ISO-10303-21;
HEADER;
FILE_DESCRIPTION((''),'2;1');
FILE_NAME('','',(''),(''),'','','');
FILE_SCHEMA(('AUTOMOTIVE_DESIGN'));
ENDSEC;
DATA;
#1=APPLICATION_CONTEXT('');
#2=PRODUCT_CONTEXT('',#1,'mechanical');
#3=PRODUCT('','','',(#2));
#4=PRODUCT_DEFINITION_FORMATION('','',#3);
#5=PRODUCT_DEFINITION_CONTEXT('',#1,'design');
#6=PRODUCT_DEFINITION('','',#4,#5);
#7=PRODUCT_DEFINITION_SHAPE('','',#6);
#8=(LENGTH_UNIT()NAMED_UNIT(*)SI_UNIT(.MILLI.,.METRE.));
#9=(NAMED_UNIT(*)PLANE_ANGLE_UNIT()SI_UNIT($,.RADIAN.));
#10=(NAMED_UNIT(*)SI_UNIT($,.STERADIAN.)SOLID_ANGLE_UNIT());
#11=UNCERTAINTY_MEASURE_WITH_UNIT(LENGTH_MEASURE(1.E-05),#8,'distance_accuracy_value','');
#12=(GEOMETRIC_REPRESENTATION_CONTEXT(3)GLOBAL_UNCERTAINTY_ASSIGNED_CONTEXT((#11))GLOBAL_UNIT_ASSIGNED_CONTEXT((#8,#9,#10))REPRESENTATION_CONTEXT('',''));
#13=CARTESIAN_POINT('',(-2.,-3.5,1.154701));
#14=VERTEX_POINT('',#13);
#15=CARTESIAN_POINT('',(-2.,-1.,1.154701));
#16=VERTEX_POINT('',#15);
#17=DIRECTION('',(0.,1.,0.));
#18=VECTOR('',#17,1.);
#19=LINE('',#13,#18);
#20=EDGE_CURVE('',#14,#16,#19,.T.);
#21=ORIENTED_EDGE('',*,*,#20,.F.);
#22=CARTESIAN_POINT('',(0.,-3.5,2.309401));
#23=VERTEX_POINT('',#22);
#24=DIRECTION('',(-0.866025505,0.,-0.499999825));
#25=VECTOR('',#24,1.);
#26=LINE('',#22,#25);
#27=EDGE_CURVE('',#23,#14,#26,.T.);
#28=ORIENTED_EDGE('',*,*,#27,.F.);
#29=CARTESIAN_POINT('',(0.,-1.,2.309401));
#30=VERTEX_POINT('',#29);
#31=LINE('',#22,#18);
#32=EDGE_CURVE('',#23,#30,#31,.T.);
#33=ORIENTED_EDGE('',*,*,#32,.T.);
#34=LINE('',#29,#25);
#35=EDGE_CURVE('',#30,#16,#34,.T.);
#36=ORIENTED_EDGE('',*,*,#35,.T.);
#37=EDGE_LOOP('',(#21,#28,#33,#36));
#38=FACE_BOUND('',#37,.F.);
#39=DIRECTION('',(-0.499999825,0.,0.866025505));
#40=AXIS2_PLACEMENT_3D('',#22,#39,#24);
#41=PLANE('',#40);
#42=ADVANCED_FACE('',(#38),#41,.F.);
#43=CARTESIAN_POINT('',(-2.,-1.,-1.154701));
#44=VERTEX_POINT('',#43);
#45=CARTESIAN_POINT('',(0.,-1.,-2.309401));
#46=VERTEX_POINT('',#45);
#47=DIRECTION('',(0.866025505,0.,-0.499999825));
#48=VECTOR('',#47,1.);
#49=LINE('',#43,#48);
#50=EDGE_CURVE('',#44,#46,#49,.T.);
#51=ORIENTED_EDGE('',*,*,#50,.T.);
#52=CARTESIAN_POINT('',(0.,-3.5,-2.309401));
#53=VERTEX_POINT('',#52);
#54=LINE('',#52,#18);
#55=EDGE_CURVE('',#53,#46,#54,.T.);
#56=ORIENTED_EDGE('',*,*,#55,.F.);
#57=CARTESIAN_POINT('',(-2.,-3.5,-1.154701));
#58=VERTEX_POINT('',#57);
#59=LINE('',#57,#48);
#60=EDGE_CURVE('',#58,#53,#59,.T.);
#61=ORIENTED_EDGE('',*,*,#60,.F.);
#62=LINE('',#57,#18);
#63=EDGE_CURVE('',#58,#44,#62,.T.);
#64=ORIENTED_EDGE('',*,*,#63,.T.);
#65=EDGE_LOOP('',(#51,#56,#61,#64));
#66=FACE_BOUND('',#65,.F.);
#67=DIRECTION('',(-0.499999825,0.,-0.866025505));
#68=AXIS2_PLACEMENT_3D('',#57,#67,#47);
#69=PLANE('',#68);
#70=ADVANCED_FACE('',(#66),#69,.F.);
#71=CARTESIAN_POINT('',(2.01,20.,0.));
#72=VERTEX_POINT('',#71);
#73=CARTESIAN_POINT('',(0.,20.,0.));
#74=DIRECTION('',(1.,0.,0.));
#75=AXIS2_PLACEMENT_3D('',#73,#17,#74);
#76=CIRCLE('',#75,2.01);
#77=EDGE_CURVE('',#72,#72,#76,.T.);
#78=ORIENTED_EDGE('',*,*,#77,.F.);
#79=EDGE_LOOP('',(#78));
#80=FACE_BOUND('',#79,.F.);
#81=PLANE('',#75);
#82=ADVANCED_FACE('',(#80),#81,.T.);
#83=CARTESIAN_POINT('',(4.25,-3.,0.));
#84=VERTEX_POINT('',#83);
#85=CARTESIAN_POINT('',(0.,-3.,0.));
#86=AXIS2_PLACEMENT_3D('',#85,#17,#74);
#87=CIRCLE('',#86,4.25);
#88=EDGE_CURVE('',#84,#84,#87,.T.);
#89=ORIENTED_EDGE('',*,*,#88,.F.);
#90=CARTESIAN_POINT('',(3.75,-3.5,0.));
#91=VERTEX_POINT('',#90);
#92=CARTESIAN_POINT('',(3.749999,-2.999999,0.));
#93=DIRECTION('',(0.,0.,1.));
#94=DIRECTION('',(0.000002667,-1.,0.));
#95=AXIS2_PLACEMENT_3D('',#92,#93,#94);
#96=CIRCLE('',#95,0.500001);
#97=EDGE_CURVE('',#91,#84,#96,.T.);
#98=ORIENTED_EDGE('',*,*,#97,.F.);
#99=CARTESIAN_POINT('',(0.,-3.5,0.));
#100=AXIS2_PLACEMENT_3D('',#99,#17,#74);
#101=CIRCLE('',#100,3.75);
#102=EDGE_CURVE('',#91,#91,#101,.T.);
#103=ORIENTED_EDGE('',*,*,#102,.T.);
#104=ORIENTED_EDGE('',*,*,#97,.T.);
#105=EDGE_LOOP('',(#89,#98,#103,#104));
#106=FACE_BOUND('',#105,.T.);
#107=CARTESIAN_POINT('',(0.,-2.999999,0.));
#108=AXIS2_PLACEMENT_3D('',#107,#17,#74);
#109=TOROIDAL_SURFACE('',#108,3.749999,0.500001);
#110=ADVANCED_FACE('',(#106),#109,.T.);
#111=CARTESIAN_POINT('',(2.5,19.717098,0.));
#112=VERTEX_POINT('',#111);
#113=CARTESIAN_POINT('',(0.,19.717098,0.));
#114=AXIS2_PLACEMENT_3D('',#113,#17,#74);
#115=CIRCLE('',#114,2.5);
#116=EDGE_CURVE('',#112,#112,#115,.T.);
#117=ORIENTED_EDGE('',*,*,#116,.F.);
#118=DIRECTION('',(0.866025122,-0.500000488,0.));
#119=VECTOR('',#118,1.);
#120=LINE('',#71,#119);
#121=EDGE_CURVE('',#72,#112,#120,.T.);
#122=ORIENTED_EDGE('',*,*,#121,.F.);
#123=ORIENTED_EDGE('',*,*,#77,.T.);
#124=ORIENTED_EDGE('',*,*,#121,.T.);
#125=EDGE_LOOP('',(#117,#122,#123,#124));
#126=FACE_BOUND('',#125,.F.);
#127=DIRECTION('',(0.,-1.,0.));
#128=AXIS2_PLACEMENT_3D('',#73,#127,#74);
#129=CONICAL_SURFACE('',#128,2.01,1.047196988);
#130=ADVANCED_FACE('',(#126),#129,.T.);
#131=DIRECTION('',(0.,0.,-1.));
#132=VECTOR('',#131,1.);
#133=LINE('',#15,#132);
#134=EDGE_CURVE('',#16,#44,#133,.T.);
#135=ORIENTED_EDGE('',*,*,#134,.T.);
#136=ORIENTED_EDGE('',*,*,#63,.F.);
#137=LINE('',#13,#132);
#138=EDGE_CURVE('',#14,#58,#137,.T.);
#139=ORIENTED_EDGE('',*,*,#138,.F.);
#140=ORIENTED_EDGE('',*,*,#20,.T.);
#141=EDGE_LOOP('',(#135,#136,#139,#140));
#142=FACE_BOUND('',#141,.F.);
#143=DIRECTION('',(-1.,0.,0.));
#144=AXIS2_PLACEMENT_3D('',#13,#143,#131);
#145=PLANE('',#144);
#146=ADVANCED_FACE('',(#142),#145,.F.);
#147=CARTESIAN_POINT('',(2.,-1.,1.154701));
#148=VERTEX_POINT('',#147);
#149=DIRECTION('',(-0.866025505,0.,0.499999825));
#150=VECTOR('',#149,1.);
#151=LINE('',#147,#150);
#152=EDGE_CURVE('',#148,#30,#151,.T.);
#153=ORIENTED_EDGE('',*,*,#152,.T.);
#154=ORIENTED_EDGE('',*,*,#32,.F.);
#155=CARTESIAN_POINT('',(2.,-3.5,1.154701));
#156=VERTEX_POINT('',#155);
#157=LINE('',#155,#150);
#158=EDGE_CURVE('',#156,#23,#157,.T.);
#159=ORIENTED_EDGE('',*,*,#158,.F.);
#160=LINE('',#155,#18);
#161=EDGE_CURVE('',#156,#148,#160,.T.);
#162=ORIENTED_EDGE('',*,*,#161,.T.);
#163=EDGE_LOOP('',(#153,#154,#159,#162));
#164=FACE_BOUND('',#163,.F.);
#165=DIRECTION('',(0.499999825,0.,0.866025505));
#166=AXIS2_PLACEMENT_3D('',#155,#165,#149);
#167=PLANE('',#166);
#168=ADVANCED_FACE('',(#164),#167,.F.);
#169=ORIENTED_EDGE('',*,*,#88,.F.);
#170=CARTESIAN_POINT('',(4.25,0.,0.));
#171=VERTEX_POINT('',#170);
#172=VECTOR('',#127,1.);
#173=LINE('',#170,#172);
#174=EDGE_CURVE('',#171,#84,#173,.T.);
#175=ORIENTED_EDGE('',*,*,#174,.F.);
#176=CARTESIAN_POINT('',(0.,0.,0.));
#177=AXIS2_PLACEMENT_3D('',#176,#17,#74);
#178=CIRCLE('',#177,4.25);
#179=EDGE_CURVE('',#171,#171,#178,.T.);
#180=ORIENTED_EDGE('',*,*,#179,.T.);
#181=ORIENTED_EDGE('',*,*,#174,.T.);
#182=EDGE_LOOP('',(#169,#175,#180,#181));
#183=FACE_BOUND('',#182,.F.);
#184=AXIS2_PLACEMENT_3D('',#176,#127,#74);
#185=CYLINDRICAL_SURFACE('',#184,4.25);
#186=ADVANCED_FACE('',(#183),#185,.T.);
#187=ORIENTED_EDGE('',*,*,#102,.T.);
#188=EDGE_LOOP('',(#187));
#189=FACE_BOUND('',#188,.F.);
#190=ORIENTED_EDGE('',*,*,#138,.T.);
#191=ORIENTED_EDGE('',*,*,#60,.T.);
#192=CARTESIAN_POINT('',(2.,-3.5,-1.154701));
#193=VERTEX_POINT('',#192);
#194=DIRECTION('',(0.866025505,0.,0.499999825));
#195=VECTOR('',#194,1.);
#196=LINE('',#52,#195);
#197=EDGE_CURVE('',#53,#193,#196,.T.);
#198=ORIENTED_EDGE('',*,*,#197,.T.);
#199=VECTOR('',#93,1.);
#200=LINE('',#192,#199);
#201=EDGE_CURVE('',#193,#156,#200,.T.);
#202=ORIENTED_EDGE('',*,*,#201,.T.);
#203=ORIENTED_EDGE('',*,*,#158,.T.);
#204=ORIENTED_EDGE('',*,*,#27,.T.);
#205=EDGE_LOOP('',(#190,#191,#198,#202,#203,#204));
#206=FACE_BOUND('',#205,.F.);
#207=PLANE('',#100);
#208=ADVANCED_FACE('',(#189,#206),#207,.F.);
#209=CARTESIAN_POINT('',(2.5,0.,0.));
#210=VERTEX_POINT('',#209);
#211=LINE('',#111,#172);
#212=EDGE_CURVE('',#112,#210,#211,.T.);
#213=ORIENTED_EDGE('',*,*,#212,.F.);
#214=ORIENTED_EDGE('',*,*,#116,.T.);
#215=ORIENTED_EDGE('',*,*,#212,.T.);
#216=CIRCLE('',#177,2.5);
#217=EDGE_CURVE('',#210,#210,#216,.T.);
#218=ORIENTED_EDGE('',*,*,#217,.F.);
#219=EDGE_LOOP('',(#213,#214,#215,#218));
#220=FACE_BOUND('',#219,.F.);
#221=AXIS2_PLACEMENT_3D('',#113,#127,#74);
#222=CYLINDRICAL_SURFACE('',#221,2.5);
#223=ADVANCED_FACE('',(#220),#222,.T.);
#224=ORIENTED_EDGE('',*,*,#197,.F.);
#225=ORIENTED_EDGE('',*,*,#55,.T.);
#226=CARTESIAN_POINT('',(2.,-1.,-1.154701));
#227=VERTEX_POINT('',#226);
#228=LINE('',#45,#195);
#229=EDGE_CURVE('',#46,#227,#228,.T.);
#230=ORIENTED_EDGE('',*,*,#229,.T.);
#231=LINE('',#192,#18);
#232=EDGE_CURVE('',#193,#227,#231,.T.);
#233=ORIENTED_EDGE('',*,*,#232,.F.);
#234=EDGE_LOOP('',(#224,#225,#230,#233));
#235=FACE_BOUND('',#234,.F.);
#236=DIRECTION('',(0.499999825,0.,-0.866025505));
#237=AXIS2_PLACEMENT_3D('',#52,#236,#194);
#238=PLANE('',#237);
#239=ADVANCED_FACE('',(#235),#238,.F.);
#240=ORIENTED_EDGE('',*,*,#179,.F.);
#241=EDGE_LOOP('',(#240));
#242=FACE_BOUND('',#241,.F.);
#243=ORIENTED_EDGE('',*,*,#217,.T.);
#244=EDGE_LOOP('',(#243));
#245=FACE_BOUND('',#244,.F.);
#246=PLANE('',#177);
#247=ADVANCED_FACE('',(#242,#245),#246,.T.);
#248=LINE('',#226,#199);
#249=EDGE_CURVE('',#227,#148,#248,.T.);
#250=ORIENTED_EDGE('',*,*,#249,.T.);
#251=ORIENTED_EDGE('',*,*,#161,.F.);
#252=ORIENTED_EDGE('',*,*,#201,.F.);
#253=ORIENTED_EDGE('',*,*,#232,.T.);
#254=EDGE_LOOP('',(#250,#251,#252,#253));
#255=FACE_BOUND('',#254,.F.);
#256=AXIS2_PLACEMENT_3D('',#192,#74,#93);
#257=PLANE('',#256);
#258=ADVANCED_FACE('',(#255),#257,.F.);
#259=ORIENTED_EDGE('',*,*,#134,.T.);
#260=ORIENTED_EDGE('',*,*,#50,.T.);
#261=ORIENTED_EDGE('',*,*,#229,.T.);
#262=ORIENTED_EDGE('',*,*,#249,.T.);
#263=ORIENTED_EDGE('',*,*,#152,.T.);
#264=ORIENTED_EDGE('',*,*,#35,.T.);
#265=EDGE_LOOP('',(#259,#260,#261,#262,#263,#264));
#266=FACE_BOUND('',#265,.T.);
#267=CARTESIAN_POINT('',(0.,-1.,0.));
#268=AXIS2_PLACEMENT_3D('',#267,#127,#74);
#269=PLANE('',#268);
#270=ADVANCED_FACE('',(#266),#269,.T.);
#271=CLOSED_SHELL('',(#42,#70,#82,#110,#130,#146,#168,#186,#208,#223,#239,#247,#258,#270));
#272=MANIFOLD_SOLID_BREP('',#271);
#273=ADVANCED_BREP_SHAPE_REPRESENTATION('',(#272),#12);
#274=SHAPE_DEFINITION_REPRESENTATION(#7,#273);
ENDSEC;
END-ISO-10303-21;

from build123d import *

# Parameters (mm, degrees)
POCKET_DEPTH = 2.5


with BuildPart() as part:
    # Sketch → Revolution (revolve)
    with BuildSketch(Plane.XY):
        with BuildLine():
            Line((2.5, 0), (4.25, 0))
            Line((4.25, 0), (4.25, -3))
            ThreePointArc((3.75, -3.5), (4.103553, -3.353553), (4.25, -3))
            Line((3.75, -3.5), (0, -3.5))
            Line((0, -3.5), (0, 20))
            Line((0, 20), (2.01, 20))
            Line((2.01, 20), (2.5, 19.717098))
            Line((2.5, 19.717098), (2.5, 0))
        make_face()
    revolve(axis=Axis((0, 0, 0), (0, 1, 0)))

    # Sketch001 → Pocket (cut)
    with BuildSketch(Plane.XZ.offset(3.5)):
        Polygon((-2, 1.154701), (-2, -1.154701), (0, -2.309401), (2, -1.154701), (2, 1.154701), (0, 2.309401), align=None)
    extrude(amount=-POCKET_DEPTH, mode=Mode.SUBTRACT)


solid = part.part
